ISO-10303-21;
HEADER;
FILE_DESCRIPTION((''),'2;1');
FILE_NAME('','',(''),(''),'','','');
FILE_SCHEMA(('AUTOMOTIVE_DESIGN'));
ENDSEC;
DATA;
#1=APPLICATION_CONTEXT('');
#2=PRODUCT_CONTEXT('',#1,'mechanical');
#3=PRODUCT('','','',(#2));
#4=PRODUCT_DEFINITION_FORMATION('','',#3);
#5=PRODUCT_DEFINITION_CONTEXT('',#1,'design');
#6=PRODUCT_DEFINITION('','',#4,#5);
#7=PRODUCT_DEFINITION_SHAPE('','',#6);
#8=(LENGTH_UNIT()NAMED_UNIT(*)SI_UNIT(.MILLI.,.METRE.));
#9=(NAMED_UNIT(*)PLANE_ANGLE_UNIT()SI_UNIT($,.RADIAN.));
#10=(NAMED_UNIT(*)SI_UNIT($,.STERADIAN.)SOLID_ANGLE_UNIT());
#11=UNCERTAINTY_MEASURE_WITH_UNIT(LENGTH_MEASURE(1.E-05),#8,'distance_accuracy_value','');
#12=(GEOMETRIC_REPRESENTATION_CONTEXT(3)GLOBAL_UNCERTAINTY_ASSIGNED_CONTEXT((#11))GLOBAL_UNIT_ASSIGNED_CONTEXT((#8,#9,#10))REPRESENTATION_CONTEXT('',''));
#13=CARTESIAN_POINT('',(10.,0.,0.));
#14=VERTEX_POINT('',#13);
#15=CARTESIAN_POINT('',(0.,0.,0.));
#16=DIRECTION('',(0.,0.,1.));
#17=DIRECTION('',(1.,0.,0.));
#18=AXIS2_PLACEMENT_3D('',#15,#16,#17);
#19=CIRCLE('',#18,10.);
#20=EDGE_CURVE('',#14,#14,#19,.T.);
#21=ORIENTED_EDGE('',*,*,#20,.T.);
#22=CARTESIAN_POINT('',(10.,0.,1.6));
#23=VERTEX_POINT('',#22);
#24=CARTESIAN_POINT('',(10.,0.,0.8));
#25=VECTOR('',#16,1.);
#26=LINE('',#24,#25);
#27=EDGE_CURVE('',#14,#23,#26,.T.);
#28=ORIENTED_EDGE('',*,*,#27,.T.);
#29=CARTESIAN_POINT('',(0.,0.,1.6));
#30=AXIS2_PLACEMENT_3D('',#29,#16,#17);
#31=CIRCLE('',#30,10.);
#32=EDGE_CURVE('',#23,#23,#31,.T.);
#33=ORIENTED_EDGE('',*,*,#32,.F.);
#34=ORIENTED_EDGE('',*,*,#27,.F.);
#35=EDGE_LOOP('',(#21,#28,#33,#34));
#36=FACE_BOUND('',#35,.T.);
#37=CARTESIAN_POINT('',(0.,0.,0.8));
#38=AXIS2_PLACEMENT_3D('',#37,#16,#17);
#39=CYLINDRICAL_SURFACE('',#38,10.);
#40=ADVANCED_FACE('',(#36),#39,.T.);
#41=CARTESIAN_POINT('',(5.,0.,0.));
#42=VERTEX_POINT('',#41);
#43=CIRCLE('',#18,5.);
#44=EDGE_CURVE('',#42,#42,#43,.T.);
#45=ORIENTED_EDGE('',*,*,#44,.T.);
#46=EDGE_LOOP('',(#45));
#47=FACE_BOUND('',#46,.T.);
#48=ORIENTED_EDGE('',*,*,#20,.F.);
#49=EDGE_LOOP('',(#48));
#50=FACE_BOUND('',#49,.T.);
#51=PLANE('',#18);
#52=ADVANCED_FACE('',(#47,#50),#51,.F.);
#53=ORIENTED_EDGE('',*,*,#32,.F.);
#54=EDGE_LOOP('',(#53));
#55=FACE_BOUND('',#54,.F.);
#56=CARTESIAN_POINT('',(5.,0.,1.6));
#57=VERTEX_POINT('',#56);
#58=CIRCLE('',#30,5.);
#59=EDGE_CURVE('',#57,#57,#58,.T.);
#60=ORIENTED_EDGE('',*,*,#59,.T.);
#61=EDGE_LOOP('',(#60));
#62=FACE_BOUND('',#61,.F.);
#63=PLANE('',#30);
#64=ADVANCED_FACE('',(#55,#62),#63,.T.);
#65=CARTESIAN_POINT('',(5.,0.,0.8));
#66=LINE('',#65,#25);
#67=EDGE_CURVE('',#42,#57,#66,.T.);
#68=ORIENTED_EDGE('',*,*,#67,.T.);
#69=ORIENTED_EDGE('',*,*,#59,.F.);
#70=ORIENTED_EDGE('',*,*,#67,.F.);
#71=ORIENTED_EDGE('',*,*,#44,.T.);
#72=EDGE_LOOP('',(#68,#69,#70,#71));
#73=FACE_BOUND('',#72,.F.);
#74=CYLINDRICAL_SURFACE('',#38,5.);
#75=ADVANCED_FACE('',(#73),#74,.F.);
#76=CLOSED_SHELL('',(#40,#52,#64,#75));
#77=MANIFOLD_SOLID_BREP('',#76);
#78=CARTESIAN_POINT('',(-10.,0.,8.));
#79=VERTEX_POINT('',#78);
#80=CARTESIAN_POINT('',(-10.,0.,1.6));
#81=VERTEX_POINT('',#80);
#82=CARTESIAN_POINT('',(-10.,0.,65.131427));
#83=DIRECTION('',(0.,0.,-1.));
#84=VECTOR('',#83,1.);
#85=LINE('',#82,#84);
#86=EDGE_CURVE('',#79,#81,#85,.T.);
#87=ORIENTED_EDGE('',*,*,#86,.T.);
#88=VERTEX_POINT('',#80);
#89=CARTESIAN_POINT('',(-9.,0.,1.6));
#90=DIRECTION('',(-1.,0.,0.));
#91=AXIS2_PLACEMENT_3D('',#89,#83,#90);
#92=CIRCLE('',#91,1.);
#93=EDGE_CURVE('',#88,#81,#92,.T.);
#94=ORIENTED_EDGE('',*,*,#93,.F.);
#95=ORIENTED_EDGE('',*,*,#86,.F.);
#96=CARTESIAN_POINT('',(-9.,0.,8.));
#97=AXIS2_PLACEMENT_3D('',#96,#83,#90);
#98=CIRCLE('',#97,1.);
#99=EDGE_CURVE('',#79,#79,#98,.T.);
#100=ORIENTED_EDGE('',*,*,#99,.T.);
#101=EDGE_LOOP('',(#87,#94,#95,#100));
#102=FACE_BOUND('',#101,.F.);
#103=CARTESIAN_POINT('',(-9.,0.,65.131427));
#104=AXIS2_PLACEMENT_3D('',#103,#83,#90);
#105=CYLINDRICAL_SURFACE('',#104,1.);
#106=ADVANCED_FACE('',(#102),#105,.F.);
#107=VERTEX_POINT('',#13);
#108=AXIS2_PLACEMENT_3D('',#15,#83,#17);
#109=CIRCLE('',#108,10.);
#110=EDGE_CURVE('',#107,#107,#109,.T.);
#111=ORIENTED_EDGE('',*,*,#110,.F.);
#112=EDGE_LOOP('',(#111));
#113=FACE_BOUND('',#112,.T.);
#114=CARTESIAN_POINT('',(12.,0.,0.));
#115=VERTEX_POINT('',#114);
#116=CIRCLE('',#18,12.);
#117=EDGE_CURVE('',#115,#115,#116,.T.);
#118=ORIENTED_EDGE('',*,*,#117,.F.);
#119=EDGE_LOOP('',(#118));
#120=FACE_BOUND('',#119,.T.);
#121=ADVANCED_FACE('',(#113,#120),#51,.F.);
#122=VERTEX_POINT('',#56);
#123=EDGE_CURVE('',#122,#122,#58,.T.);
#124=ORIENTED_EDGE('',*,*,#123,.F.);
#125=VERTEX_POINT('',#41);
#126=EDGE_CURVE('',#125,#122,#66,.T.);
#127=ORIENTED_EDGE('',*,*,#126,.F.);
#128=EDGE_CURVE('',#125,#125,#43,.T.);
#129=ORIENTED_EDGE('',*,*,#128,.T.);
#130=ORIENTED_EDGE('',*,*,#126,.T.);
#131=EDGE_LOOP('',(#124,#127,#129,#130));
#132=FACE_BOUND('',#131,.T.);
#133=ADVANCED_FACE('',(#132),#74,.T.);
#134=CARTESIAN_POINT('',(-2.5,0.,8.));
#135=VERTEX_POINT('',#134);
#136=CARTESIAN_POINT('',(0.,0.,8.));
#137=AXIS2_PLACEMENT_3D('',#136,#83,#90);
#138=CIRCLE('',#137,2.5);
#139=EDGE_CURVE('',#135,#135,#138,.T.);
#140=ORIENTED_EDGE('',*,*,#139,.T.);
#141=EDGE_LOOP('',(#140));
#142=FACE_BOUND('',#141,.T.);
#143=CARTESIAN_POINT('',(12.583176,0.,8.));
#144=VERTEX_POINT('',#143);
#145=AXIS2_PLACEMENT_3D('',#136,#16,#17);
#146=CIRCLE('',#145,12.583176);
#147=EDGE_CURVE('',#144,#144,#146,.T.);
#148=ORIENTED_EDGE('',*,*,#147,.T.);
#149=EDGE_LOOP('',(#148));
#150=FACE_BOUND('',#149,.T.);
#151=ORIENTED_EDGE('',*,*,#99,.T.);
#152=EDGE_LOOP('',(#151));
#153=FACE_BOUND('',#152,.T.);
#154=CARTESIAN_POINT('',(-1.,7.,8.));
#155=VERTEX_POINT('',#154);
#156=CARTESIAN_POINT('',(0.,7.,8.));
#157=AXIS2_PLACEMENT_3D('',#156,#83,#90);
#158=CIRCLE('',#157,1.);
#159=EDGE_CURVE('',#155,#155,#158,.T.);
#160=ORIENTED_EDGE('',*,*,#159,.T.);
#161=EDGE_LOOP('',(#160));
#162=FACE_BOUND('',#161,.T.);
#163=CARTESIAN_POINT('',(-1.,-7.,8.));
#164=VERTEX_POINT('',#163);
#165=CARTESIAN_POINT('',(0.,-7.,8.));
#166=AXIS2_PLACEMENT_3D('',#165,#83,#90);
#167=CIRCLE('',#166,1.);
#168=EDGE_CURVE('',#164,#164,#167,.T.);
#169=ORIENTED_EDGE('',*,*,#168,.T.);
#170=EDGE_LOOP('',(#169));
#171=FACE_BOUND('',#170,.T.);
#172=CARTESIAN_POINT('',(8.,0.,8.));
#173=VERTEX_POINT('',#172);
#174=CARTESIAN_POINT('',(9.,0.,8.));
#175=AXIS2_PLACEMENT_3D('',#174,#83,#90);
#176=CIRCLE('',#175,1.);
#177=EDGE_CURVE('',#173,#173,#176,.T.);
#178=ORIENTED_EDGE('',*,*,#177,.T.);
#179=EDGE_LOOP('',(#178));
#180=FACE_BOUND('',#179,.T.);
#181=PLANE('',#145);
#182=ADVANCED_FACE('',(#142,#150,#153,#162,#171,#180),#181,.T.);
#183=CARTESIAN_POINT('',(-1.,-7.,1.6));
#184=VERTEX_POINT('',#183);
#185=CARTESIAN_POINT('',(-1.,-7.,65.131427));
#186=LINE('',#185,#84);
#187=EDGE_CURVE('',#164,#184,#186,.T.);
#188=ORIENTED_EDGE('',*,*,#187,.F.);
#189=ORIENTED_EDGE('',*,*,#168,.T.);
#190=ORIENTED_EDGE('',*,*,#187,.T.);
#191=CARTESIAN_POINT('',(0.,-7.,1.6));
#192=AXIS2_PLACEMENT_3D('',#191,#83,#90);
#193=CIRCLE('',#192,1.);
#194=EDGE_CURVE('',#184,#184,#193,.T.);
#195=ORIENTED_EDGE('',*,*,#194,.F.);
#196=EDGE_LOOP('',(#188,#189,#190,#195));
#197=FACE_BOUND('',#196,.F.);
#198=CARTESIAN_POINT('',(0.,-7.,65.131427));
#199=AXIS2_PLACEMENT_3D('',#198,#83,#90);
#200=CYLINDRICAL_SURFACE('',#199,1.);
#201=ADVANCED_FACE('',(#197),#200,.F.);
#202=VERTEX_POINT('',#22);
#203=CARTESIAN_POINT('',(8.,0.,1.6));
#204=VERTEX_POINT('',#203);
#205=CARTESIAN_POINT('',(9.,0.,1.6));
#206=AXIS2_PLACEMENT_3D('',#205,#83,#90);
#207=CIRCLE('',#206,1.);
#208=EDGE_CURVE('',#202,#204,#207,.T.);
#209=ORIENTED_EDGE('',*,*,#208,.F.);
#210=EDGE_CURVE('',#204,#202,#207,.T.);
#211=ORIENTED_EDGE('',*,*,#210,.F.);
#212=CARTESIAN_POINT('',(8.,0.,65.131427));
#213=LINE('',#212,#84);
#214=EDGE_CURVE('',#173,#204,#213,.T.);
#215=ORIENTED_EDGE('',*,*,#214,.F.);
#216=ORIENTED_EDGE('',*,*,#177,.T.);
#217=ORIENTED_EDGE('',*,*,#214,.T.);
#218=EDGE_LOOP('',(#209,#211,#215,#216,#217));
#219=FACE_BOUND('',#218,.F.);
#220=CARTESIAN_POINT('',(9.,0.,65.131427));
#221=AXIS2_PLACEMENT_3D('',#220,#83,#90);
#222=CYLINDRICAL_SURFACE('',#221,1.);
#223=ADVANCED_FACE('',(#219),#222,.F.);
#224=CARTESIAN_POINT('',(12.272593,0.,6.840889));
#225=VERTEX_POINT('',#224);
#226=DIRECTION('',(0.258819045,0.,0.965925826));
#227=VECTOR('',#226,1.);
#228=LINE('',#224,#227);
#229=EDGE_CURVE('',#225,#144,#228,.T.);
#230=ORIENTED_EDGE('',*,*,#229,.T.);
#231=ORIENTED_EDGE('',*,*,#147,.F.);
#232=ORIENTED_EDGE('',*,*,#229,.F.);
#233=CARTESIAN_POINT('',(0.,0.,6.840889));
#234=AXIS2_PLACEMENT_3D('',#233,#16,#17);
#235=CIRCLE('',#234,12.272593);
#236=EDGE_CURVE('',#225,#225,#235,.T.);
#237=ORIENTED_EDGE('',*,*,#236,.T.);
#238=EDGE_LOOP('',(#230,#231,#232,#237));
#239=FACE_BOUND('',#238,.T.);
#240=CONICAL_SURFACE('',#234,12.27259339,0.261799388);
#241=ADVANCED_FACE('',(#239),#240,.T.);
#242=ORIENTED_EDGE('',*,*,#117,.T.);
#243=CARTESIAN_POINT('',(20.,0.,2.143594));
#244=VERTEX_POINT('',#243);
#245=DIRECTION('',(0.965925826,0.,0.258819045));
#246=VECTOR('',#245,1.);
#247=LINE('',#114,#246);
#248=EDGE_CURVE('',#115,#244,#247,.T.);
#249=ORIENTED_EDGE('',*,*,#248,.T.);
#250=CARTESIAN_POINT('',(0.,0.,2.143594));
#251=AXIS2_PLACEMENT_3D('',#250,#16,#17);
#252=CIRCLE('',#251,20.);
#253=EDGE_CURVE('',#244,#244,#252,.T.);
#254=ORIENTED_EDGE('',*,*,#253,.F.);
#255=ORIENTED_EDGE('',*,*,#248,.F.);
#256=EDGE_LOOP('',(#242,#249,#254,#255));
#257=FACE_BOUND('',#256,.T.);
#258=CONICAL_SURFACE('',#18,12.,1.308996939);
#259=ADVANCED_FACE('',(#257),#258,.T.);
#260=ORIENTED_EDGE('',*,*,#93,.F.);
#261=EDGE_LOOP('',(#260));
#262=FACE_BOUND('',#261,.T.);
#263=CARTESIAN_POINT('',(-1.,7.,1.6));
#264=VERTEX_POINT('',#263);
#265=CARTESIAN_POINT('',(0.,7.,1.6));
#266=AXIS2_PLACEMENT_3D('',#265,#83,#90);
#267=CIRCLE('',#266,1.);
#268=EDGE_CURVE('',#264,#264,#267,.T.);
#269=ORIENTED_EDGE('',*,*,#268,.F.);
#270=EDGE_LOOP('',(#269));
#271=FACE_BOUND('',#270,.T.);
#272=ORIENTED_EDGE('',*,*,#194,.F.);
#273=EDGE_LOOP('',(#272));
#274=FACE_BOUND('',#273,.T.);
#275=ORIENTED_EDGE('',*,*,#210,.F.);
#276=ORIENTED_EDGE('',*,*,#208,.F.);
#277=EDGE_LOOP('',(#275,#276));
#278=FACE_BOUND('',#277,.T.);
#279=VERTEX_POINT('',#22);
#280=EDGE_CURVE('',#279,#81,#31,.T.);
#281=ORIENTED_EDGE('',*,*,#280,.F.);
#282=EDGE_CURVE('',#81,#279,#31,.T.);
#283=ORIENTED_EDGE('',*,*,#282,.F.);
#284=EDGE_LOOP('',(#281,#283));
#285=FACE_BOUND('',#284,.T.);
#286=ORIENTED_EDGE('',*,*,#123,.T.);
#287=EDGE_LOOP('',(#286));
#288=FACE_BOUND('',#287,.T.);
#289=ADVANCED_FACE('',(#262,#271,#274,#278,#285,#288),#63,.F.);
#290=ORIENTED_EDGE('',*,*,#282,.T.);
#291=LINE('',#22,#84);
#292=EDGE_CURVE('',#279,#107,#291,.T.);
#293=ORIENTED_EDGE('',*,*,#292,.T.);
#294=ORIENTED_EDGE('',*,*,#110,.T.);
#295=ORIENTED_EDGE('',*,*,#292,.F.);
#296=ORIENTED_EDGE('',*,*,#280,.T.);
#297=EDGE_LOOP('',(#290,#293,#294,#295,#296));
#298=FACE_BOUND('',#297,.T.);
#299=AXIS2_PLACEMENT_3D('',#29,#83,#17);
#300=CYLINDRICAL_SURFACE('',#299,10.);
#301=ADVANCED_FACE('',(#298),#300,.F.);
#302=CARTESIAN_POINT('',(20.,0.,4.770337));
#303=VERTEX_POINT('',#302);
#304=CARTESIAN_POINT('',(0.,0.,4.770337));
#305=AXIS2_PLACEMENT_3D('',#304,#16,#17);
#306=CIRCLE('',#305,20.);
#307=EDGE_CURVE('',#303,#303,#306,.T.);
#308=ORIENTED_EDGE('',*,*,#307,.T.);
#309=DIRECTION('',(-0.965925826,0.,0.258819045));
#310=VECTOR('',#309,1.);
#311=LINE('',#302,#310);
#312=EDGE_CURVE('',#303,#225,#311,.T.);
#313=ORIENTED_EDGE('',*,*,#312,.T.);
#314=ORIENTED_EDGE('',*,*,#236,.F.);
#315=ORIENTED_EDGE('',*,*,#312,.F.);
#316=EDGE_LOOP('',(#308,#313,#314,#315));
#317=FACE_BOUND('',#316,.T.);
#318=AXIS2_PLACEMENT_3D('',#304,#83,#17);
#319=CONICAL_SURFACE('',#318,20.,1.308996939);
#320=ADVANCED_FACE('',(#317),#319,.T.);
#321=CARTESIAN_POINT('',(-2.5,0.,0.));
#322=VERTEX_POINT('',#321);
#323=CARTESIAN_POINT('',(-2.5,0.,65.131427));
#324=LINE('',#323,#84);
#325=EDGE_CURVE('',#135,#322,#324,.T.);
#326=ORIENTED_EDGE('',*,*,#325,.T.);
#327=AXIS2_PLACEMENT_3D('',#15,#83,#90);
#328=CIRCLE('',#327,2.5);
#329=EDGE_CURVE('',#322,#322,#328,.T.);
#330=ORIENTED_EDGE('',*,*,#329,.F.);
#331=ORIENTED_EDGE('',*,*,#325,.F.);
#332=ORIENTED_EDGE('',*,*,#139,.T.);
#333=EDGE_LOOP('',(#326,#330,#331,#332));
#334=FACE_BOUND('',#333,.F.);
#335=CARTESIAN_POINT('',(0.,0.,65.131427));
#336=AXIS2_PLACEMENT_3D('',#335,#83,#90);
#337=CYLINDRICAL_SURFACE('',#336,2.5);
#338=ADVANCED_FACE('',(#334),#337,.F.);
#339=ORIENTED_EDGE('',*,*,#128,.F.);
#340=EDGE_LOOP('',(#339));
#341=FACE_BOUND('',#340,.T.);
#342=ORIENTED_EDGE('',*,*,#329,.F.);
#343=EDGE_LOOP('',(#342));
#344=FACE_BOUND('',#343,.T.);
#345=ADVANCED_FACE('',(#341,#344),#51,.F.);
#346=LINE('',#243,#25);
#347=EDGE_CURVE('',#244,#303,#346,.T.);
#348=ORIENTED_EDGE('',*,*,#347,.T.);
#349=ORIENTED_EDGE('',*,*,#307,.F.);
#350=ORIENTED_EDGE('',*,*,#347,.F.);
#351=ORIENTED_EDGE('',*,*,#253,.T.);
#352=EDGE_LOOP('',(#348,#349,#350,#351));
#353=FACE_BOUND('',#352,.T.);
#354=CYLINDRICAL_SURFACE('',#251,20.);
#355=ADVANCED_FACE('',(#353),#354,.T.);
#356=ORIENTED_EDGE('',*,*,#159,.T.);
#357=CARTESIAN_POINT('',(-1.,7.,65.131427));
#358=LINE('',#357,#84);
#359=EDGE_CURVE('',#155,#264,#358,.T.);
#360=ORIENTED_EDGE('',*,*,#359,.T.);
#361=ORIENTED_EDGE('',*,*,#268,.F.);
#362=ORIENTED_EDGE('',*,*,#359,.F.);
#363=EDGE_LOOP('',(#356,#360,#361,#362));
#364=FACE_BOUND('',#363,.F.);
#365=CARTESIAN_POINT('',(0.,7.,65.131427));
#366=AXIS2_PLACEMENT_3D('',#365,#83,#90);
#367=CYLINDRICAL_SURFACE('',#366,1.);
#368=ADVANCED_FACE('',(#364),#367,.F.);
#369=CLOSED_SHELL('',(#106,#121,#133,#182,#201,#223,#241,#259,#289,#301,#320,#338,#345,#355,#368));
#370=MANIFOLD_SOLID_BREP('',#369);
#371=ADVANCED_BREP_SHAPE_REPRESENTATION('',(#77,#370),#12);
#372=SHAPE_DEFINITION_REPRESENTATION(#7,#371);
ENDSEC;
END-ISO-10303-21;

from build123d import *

# Parameters (mm, degrees)
F0_W = 5
F0_H = 1.6
F4_D = 2
F5_D = 5


with BuildPart() as f1:
    # F0 (on Front) → F1 (revolve)
    with BuildSketch(Plane.XZ):
        with Locations((7.5, 0.8)):
            Rectangle(F0_W, F0_H)
    revolve(axis=Axis((0, 0, 0.8), (0, 0, 1)))


with BuildPart() as f2:
    # F0 (on Front) → F2 (revolve)
    with BuildSketch(Plane.XZ):
        Polygon((0, 8), (0, 1.6), (5, 1.6), (10, 1.6), (10, 0), (12, 0), (20, 2.1435935394), (20, 4.7703366476), (12.2725933897, 6.8408890085), (7.9467322776, 8), align=None)
        Polygon((12.5831762438, 8), (7.9467322776, 8), (12.2725933897, 6.8408890085), align=None)
        with Locations((2.5, 0.8)):
            Rectangle(F0_W, F0_H)
    revolve(axis=Axis((0, 0, 4), (0, 0, 1)))

    # F4 (through all)
    with Locations(Plane.XY.offset(8)):
        with Locations((-9, 0), (0, 7), (9, 0), (0, -7)):
            Hole(F4_D / 2)

    # F5 (through all)
    with Locations(Plane.XY.offset(8)):
        with Locations((0, 0)):
            Hole(F5_D / 2)


solid = Compound([f1.part, f2.part])
